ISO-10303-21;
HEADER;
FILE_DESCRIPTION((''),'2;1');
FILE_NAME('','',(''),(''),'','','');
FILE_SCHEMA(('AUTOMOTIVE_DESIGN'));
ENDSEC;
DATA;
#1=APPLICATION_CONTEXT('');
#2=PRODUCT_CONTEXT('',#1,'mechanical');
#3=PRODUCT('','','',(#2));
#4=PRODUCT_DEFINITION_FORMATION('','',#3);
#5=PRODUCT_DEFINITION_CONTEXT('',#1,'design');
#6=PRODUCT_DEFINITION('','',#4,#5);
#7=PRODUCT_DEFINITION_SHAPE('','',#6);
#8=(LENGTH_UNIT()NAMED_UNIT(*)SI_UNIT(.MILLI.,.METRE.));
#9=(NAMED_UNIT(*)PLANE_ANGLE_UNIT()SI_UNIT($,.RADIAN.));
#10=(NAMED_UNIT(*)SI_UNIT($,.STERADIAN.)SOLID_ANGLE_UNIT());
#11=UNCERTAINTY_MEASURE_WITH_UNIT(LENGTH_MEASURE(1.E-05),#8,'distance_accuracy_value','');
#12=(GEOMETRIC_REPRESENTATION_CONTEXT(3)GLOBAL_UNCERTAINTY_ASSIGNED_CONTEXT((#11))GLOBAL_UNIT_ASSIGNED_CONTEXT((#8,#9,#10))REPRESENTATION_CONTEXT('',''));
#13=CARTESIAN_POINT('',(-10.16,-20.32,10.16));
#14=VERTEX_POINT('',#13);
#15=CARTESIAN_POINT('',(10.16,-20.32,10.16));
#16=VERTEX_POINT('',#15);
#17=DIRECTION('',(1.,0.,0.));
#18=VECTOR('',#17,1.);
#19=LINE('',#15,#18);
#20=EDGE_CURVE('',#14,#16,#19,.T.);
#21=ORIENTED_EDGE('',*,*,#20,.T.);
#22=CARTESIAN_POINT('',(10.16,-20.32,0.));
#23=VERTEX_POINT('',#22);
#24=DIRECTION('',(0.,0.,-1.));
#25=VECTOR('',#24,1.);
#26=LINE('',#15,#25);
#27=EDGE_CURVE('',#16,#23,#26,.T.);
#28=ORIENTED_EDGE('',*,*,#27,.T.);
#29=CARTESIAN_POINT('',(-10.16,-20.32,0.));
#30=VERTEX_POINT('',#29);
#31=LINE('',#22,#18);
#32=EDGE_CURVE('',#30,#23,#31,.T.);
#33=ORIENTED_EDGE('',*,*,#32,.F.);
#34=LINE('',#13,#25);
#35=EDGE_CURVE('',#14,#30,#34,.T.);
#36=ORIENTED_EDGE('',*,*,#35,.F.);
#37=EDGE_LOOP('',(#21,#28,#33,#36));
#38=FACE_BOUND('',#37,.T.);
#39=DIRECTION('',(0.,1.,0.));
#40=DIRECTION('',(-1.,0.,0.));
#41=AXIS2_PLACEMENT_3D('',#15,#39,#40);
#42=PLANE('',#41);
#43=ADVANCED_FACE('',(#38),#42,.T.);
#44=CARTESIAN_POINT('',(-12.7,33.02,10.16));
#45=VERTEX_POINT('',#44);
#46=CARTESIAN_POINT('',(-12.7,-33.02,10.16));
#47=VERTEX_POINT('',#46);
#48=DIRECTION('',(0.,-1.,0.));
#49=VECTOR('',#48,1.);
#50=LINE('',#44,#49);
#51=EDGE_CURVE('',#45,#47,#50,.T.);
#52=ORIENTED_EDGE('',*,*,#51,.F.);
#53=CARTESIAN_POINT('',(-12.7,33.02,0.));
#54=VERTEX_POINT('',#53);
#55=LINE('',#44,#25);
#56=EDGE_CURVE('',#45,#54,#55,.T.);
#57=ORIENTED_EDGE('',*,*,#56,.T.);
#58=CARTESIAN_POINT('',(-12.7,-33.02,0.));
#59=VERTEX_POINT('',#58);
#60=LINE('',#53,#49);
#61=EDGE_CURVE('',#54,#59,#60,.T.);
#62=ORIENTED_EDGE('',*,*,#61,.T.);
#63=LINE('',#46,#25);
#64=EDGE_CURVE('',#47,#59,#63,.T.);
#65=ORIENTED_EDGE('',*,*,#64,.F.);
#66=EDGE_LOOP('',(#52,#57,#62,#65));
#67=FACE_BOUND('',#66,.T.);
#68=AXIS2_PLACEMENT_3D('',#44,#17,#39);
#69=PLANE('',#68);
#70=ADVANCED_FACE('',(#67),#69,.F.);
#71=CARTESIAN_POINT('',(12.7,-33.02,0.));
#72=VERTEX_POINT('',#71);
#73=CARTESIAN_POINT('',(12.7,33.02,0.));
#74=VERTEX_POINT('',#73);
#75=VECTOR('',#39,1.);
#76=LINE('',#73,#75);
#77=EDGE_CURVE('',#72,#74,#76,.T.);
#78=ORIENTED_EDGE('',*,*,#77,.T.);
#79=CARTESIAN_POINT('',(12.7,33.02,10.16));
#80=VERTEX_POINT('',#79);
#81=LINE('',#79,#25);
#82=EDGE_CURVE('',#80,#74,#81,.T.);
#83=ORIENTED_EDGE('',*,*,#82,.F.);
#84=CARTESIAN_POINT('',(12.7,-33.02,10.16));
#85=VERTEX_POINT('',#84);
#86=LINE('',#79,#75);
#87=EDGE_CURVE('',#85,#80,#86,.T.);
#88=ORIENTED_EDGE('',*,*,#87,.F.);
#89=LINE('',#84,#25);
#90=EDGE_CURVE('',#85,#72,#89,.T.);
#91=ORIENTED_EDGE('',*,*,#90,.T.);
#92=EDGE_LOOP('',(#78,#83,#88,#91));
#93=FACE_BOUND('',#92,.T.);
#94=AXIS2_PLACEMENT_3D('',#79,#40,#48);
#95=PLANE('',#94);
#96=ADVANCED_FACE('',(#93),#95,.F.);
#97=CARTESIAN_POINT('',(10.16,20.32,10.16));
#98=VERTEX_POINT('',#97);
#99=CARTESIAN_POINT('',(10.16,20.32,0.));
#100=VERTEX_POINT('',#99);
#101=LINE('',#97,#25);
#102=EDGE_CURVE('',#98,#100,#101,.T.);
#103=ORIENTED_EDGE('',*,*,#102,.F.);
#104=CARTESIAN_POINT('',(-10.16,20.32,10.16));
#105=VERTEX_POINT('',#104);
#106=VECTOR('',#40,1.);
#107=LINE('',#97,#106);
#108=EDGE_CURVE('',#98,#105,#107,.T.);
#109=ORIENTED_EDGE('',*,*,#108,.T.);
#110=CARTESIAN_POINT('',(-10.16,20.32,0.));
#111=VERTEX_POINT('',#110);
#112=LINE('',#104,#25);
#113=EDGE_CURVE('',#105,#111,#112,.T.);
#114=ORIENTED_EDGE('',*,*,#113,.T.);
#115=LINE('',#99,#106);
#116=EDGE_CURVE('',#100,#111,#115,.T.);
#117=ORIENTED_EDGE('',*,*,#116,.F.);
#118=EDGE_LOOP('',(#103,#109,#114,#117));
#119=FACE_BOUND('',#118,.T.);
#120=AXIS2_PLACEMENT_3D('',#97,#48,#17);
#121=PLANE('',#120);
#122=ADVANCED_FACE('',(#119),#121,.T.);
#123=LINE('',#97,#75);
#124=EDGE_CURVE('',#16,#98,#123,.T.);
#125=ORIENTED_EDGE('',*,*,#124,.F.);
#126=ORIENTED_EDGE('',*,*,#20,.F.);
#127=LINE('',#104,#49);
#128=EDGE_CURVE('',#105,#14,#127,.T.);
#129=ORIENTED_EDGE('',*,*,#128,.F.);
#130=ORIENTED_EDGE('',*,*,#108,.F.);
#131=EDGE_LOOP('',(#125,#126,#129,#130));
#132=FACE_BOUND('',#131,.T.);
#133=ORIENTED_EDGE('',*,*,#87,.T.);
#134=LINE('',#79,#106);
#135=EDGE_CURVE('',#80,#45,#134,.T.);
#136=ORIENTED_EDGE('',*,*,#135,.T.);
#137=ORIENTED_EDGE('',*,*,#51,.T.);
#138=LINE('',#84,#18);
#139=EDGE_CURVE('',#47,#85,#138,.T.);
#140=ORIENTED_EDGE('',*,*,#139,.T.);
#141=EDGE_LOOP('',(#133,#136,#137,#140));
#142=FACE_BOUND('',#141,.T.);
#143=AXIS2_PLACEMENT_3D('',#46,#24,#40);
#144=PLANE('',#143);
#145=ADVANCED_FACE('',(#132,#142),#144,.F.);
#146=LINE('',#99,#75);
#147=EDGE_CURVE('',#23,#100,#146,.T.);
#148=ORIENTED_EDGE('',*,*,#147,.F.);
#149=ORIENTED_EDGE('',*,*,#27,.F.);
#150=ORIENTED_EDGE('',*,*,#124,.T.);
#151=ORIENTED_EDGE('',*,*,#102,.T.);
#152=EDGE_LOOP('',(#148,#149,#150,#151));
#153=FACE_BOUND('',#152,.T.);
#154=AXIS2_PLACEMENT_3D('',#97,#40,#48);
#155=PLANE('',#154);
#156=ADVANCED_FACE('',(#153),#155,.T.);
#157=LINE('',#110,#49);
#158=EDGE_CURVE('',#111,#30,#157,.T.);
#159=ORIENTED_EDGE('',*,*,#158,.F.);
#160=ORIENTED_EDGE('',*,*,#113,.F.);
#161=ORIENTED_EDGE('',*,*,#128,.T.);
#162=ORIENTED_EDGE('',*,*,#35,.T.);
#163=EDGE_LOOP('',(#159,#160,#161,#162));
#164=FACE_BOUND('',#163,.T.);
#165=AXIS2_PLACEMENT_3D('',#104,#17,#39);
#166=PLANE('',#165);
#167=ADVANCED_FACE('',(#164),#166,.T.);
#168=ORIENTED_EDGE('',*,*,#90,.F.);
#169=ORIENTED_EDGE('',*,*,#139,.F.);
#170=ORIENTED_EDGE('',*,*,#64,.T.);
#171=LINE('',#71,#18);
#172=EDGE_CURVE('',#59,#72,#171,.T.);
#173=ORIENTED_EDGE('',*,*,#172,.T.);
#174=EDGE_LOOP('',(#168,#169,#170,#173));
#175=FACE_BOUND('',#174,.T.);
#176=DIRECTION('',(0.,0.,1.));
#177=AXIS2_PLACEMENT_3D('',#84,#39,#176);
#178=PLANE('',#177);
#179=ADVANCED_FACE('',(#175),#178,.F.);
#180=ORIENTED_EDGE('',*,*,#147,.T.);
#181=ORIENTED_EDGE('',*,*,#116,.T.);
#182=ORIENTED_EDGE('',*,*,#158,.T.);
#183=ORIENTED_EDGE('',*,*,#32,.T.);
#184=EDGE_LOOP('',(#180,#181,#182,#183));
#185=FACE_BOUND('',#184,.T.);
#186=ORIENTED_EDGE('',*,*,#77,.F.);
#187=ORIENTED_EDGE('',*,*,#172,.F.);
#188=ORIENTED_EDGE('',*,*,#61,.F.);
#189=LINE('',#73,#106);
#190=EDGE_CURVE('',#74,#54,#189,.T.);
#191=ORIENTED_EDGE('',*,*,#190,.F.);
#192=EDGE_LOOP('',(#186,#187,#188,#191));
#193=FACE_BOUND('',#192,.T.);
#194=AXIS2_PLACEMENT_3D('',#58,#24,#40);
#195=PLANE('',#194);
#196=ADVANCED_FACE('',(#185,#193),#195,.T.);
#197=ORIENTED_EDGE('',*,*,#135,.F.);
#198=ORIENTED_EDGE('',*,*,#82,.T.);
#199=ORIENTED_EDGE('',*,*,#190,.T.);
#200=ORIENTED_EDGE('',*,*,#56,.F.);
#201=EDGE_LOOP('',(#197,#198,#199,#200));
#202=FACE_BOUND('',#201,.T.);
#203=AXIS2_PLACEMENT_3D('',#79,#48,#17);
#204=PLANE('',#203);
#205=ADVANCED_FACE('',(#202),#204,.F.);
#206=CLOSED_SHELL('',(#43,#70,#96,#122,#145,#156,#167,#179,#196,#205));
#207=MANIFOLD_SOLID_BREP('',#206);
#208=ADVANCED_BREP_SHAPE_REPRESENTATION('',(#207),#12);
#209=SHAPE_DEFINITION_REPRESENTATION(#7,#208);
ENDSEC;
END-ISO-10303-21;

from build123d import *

# Parameters (mm, degrees)
SKETCH1_W           = 25.4
SKETCH1_H           = 66.04
SKETCH1_W_2         = 20.32
SKETCH1_H_2         = 40.64
BOSS_EXTRUDE1_DEPTH = 10.16


with BuildPart() as part:
    # Sketch1 → Boss-Extrude1 (new body)
    with BuildSketch(Plane.XY):
        Rectangle(SKETCH1_W, SKETCH1_H)
        Rectangle(SKETCH1_W_2, SKETCH1_H_2, mode=Mode.SUBTRACT)
    extrude(amount=BOSS_EXTRUDE1_DEPTH)


solid = part.part
